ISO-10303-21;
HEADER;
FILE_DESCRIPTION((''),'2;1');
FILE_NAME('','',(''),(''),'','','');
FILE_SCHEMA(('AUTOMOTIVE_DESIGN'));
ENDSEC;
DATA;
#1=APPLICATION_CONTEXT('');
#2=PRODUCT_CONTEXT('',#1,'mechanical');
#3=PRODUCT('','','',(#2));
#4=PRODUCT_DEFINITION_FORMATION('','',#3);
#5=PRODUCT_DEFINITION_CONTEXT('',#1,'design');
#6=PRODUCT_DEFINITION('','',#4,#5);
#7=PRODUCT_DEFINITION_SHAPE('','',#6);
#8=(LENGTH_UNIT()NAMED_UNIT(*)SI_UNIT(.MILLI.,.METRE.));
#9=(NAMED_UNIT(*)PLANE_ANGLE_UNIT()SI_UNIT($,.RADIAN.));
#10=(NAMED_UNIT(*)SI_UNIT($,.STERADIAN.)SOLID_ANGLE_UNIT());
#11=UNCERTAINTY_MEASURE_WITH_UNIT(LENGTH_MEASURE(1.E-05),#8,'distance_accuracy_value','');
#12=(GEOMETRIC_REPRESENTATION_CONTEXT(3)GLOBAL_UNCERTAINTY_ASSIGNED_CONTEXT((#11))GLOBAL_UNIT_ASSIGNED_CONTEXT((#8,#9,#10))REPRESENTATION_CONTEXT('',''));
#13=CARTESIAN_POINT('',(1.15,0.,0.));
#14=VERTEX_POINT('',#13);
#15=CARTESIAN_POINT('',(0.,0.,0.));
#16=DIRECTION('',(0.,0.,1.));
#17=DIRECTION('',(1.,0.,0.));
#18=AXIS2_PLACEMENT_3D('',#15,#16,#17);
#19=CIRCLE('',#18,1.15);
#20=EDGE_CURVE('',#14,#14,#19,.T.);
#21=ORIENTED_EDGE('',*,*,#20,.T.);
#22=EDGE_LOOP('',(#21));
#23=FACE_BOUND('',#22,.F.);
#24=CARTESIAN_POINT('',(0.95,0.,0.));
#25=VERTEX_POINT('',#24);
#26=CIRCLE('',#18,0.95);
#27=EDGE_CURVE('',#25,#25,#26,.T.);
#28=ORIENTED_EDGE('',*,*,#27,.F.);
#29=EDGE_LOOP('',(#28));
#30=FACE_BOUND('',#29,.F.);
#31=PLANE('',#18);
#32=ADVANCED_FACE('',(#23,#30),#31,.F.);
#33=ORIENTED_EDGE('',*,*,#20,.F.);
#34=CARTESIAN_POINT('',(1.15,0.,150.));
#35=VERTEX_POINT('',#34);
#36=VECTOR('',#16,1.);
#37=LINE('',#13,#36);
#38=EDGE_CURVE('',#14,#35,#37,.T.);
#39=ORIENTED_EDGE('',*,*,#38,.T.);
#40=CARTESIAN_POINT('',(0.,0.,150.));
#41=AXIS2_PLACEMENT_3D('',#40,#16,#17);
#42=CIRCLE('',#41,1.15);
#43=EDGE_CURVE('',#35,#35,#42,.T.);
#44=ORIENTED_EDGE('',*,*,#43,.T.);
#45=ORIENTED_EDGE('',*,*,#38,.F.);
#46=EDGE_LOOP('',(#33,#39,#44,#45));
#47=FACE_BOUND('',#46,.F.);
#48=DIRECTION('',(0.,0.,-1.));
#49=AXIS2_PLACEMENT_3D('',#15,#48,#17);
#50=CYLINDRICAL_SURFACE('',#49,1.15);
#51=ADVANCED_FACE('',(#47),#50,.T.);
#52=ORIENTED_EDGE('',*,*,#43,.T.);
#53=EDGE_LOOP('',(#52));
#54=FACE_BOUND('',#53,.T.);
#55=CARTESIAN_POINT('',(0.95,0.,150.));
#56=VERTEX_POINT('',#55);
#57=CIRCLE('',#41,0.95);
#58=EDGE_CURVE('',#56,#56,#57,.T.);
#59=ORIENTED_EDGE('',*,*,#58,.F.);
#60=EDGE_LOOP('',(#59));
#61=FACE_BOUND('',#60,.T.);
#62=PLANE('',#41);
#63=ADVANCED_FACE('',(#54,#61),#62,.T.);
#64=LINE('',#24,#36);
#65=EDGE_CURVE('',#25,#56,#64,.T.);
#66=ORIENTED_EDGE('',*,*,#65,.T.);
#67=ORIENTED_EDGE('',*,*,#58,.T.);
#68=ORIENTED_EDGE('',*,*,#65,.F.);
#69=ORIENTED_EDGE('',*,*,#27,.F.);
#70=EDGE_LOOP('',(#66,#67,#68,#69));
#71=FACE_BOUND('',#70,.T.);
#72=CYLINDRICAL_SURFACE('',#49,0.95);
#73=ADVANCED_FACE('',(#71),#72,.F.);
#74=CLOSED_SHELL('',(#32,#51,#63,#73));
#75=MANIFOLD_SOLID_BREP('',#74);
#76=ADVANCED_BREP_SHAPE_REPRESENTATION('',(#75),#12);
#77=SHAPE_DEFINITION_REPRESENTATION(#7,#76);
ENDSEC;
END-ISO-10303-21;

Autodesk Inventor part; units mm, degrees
ref_plane "YZ Plane" through (0, 0, 0) normal (1, 0, 0) x (0, 1, 0)
ref_plane "XZ Plane" through (0, 0, 0) normal (0, 1, 0) x (-1, 0, 0)
ref_plane "XY Plane" through (0, 0, 0) normal (0, 0, 1) x (1, 0, 0)
sketch "Sketch1" plane through (0, 0, 0) normal (0, 0, 1) x (1, 0, 0)
  circle A0 centre (0, 0) radius 0.95
  circle A1 centre (0, 0) radius 1.15
  dimension "d0" = 1.9
  dimension "d1" = 2.3
extrude "Extrusion1" add sketch "Sketch1" along normal blind 150
properties part number "big_vara"
